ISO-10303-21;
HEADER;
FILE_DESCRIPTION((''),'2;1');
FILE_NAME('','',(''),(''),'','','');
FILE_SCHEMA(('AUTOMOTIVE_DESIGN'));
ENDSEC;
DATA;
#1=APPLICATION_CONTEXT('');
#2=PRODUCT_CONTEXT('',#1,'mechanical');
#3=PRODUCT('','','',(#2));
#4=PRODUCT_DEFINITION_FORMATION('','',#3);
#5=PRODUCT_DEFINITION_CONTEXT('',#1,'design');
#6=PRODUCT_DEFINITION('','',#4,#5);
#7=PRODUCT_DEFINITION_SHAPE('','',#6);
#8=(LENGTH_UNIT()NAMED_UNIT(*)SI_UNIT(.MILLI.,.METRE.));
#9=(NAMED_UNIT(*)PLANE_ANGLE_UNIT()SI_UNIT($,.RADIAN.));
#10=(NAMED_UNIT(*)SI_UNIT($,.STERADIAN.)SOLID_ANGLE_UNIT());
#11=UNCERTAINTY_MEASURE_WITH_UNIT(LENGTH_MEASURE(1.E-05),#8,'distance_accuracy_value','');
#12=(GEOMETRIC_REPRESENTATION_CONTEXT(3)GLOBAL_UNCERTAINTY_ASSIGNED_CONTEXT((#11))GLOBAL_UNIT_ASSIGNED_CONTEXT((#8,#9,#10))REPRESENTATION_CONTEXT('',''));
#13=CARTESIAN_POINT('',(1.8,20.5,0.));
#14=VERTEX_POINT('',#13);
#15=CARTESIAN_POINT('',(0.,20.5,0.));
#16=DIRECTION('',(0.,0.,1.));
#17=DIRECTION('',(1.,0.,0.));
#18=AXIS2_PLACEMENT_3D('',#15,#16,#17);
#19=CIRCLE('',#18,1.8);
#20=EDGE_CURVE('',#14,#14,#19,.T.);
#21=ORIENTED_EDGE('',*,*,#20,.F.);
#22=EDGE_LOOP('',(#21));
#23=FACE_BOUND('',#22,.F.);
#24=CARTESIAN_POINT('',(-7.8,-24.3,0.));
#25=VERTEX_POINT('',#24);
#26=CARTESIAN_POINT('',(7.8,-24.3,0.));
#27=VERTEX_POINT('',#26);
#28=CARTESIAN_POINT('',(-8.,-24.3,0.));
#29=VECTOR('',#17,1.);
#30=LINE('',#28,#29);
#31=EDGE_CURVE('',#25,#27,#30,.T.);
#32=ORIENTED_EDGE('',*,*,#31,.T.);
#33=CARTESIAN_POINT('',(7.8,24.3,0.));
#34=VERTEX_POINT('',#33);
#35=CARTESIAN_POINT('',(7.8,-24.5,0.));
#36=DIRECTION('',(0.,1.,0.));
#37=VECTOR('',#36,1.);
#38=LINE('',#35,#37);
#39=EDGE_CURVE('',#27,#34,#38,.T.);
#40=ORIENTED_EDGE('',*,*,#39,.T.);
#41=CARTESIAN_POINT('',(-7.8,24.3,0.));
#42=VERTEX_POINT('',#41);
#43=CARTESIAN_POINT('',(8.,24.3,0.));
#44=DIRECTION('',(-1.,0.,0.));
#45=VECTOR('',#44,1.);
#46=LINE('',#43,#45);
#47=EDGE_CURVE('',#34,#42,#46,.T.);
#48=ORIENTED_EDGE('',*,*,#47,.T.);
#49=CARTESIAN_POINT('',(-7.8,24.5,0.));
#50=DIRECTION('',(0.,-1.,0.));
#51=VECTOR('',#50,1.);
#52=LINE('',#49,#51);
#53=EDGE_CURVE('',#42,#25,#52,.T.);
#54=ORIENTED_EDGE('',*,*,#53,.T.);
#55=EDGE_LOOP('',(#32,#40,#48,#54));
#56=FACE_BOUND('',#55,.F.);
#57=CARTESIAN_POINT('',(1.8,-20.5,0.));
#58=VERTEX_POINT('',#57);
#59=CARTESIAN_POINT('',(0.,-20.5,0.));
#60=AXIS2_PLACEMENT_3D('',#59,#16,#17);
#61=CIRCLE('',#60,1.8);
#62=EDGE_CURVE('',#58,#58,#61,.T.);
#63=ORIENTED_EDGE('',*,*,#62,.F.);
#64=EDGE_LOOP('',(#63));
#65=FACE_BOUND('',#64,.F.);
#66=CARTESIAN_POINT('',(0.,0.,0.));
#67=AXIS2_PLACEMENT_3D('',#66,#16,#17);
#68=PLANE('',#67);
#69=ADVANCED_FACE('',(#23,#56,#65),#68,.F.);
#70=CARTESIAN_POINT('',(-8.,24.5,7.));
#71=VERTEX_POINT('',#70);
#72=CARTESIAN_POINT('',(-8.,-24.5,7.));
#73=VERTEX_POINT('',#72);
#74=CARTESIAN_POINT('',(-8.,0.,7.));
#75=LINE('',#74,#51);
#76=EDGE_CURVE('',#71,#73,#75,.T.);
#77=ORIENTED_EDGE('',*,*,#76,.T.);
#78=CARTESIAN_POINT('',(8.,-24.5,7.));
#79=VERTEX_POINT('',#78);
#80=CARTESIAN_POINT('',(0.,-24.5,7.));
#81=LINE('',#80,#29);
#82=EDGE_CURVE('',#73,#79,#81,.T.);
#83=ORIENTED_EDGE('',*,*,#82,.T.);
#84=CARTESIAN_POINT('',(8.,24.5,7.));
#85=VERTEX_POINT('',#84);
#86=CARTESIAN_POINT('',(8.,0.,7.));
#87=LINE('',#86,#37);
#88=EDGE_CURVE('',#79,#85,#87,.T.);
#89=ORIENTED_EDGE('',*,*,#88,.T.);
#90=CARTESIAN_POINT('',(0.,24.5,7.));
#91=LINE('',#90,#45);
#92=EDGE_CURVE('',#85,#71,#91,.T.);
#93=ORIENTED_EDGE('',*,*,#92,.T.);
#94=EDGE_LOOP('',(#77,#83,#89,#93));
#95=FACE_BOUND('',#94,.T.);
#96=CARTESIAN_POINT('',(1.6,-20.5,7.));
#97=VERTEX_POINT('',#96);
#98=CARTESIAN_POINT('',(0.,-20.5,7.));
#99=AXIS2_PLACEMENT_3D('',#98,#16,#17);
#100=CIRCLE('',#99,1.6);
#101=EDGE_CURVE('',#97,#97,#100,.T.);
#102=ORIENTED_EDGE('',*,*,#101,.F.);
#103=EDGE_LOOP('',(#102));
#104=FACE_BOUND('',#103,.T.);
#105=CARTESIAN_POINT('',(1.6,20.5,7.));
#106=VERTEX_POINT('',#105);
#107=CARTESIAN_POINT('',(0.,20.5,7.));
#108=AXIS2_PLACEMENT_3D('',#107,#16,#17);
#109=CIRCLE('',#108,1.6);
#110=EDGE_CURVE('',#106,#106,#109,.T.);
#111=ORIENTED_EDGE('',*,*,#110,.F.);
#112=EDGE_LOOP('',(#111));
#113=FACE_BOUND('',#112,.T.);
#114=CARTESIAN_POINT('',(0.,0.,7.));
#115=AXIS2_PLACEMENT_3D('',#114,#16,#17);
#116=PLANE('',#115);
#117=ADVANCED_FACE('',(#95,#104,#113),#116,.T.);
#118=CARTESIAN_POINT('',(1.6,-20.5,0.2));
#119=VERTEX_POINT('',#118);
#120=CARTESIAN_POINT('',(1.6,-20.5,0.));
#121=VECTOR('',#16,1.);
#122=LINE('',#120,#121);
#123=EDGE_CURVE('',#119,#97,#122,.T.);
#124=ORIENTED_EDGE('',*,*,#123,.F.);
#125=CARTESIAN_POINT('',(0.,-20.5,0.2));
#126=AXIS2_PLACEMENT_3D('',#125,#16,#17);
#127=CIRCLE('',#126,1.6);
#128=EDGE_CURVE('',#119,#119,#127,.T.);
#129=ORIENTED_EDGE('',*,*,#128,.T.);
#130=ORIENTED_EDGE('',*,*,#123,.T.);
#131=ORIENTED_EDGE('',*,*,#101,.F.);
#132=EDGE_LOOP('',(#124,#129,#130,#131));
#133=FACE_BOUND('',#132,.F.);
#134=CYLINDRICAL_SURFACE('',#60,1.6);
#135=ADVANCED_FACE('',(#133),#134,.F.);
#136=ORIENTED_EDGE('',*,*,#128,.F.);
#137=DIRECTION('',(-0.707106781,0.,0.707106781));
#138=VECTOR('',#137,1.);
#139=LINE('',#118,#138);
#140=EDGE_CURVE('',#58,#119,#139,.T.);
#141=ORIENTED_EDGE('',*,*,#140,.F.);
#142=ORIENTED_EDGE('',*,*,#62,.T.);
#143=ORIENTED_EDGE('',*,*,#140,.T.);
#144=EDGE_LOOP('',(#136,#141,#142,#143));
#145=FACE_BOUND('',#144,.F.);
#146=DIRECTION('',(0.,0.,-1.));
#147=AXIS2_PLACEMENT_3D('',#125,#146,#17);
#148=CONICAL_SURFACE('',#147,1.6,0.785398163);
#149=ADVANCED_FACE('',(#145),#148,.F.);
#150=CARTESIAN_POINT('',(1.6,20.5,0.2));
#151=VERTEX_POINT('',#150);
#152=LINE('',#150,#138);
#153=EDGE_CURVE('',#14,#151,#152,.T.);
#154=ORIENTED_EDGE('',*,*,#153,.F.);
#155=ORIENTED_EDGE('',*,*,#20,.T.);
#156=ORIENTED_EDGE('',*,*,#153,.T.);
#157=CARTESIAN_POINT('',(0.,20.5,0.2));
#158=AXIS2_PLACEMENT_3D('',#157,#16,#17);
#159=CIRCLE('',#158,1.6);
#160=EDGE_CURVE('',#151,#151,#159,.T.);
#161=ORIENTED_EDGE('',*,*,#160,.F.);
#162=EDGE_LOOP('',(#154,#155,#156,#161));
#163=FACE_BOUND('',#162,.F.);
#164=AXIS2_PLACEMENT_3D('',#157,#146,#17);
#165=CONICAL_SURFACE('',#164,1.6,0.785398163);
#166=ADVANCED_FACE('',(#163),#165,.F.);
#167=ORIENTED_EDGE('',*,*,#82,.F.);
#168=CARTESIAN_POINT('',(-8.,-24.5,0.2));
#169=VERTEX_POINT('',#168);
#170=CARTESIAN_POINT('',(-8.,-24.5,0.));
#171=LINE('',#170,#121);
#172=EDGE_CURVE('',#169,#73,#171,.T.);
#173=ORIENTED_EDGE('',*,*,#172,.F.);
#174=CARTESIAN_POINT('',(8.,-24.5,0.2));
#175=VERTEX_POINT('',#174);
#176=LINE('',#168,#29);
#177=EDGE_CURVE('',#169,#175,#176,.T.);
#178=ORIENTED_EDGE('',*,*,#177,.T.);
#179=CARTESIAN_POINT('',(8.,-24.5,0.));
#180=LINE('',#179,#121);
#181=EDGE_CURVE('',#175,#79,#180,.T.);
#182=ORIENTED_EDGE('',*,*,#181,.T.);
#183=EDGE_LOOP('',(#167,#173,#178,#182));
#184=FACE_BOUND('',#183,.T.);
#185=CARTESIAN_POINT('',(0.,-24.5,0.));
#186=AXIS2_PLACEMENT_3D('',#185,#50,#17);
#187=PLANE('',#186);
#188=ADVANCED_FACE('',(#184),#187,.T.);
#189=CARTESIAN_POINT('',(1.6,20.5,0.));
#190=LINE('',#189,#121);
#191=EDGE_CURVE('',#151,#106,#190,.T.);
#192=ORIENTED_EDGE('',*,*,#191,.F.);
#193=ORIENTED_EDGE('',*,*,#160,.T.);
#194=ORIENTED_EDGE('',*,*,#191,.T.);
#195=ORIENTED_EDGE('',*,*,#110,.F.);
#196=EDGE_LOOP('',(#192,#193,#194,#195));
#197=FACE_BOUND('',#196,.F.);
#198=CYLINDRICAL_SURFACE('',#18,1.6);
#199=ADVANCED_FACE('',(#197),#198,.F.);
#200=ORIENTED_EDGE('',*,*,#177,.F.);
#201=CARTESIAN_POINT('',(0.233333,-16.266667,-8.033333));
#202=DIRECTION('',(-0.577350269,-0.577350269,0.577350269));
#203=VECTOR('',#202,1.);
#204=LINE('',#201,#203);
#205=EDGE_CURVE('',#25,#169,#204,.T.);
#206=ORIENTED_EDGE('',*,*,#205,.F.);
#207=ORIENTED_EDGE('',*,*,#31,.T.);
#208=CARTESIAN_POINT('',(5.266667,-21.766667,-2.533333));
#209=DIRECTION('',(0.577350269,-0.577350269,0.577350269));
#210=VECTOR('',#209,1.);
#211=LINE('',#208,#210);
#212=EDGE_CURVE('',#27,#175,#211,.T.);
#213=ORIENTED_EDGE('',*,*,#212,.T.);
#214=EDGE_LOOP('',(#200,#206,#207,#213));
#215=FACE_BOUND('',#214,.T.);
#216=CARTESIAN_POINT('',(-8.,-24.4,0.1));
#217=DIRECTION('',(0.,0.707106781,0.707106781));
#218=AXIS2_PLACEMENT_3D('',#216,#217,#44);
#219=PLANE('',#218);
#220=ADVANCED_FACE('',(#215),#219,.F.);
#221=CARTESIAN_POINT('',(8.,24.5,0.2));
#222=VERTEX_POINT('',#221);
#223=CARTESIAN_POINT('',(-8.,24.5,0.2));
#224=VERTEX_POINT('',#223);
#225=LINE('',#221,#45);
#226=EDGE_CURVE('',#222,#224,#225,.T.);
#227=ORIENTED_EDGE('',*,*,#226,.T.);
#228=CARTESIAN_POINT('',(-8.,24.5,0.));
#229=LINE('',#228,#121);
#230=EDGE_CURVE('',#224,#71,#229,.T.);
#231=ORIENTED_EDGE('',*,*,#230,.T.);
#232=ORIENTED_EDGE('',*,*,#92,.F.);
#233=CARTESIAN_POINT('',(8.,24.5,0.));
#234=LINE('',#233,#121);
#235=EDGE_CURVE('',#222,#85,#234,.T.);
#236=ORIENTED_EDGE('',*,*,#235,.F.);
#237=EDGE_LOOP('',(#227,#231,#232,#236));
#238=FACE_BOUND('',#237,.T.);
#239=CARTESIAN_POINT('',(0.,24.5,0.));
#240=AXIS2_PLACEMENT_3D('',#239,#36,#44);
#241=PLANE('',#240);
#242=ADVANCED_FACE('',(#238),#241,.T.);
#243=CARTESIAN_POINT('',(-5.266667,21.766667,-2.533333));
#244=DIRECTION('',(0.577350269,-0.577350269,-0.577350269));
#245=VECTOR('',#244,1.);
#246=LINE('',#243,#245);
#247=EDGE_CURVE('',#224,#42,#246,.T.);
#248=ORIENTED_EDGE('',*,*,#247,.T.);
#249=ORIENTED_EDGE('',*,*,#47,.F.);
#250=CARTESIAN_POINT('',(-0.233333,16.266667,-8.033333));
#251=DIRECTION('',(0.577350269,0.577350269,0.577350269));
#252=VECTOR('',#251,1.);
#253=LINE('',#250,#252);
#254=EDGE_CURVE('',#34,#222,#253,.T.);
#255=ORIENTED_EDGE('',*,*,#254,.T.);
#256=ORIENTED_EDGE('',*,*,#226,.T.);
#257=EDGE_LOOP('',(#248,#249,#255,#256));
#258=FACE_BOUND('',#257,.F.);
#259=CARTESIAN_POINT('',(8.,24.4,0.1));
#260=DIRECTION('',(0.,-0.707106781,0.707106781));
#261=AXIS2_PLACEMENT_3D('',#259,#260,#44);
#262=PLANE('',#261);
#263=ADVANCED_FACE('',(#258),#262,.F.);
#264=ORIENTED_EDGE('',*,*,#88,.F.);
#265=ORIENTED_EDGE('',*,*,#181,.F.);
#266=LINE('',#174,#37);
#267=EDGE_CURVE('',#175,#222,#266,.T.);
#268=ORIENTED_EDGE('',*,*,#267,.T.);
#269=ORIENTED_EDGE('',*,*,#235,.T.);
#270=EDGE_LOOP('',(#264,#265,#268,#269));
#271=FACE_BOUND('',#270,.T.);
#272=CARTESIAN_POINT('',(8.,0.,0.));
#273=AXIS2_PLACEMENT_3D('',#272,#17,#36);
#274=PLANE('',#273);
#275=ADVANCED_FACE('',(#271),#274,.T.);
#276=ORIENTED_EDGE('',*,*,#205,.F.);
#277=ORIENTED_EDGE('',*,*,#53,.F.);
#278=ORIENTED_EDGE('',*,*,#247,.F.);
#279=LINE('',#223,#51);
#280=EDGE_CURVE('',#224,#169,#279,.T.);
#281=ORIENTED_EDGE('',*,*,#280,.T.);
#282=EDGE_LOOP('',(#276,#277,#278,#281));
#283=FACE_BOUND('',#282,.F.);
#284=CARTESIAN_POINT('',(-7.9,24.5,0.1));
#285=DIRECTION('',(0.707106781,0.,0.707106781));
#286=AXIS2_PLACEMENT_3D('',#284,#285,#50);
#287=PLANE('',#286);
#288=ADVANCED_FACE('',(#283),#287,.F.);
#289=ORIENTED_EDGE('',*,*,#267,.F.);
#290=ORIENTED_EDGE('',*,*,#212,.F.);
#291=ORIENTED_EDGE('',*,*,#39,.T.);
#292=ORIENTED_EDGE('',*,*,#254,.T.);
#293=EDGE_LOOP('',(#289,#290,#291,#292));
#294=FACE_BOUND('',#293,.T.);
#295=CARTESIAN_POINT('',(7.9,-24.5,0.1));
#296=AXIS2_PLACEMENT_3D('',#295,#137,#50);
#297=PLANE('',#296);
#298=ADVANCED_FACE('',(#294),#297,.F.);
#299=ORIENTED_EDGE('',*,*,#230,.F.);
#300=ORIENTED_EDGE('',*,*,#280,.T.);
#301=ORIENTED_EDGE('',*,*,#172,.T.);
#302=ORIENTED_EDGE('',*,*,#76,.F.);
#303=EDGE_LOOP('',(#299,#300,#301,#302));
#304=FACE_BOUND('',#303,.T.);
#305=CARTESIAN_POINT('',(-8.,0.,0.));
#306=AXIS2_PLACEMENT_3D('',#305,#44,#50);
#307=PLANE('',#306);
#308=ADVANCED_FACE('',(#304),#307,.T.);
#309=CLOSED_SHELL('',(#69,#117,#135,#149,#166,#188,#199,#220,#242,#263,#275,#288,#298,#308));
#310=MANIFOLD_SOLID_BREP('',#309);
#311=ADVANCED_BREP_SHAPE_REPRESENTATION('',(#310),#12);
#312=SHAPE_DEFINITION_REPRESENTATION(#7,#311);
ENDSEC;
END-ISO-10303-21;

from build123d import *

# Parameters (mm, degrees)
F0_W    = 16
F0_H    = 49
F0_R    = 1.6
F3_SIZE = 0.2


with BuildPart() as f2:
    # F2: sweep along a path in F1
    with BuildLine(Plane.XZ) as f2_path:
        Line((0, 0), (0, 7))
    # F0 (on Top) → F2 (sweep)
    with BuildSketch(Plane.XY):
        Rectangle(F0_W, F0_H)
        with Locations((0, -20.5)):
            Circle(F0_R, mode=Mode.SUBTRACT)
        with Locations((0, 20.5)):
            Circle(F0_R, mode=Mode.SUBTRACT)
    sweep(path=f2_path.line)

    # F3
    f3_edges = [f2.edges().sort_by_distance(p)[0] for p in [
        (8, 0, 0),
        (0, -24.5, 0),
        (0, 24.5, 0),
        (-8, 0, 0),
        (-1.6, -20.5, 0),
        (-1.6, 20.5, 0),
    ]]
    chamfer(f3_edges, length=F3_SIZE)


solid = f2.part
